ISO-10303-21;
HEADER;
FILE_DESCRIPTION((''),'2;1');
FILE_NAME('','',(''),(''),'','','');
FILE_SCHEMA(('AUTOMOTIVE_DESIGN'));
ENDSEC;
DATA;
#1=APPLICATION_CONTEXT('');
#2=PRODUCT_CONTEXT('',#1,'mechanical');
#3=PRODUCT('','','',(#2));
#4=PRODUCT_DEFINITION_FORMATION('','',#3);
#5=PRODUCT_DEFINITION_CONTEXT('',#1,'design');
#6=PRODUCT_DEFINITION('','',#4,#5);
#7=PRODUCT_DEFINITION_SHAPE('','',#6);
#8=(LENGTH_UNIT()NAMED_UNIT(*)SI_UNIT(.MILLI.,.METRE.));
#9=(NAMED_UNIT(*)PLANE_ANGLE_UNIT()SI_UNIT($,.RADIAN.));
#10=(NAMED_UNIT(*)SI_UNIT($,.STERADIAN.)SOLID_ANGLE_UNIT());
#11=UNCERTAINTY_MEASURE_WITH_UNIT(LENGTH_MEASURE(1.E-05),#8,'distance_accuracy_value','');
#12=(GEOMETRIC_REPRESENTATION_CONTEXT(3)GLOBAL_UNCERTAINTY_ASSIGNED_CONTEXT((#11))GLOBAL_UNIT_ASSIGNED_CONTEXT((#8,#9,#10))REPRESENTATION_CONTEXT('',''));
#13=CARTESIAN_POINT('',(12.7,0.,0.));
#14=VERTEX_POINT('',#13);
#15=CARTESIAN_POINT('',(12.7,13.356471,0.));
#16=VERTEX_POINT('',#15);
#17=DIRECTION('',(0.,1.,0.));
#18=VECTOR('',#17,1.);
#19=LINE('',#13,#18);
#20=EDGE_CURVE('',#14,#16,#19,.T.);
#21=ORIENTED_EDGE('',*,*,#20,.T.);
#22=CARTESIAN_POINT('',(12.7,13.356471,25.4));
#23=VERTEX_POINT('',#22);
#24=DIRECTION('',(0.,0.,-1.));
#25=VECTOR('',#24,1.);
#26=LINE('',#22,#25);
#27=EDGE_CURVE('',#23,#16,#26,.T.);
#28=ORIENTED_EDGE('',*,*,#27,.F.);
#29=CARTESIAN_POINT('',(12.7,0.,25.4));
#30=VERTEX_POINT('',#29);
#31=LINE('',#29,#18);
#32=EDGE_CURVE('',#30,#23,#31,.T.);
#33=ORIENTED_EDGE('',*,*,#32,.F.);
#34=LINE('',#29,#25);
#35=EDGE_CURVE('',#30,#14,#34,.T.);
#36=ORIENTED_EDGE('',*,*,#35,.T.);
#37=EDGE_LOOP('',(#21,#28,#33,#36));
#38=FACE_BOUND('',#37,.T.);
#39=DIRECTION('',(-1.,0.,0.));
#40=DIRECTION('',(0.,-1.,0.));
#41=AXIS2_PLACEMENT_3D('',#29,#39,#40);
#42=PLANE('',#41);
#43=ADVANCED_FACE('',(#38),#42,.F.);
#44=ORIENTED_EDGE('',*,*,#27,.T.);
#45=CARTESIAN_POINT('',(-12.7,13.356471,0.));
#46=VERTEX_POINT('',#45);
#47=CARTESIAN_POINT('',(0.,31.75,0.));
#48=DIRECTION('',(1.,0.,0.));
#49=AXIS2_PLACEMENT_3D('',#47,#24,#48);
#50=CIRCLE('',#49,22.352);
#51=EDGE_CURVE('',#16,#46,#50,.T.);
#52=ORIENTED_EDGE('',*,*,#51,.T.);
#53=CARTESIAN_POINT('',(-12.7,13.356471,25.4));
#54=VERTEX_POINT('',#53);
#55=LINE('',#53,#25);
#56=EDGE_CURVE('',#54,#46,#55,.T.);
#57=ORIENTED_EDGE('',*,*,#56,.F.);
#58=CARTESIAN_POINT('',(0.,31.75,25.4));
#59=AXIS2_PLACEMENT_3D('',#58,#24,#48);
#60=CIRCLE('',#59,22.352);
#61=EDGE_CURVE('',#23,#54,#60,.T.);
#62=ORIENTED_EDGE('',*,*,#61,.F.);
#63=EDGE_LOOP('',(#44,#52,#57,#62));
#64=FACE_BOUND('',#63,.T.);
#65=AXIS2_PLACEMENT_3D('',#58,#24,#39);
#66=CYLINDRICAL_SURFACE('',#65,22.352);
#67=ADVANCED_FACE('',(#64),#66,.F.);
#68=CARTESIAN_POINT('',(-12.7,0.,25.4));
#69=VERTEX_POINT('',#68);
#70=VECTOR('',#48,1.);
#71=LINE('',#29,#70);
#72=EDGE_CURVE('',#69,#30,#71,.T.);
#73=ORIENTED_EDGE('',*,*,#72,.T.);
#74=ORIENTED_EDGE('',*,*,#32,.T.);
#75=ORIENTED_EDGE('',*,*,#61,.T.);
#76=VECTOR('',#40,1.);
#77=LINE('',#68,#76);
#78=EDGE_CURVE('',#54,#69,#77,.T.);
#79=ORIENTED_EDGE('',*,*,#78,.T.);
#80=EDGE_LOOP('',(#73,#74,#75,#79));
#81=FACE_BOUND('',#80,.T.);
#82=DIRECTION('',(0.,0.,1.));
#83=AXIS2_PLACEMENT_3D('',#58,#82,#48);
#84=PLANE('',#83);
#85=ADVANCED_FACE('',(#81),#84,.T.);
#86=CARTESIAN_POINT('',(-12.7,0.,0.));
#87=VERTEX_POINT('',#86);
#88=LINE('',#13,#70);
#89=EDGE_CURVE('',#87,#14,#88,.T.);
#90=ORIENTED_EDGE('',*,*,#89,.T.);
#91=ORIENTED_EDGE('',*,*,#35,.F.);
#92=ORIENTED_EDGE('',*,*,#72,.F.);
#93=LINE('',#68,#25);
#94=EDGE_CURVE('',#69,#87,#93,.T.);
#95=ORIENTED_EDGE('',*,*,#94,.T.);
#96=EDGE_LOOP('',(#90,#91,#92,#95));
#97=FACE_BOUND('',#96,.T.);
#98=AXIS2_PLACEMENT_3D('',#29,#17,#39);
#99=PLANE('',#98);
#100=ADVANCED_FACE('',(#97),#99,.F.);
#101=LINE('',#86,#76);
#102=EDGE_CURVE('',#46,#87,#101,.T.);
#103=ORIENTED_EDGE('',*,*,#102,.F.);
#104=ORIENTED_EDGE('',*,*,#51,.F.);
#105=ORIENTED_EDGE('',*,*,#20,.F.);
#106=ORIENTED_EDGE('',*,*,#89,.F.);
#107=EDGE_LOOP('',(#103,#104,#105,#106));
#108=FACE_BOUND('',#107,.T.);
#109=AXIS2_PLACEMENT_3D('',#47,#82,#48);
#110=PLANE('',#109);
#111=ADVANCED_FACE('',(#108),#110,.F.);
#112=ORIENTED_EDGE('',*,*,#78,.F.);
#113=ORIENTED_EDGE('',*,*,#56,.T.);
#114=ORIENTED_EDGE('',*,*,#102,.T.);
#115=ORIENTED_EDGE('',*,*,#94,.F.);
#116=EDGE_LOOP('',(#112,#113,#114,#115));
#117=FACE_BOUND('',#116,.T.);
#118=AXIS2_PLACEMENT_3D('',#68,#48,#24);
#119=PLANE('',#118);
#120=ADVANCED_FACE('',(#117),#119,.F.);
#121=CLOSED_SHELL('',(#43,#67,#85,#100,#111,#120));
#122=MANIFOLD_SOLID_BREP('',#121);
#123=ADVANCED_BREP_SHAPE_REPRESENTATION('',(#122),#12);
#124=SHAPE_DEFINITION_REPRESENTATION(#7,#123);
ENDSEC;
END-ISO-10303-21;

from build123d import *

# Parameters (mm, degrees)
BOSS_EXTRUDE1_DEPTH = 25.4


with BuildPart() as part:
    # Sketch1 → Boss-Extrude1 (new body)
    with BuildSketch(Plane.XY):
        with BuildLine():
            Line((12.7, 0), (-12.7, 0))
            Line((-12.7, 0), (-12.7, 13.356471138))
            ThreePointArc((-12.7, 13.356471138), (0, 9.398), (12.7, 13.356471138))
            Line((12.7, 13.356471138), (12.7, 0))
        make_face()
    extrude(amount=BOSS_EXTRUDE1_DEPTH)


solid = part.part
